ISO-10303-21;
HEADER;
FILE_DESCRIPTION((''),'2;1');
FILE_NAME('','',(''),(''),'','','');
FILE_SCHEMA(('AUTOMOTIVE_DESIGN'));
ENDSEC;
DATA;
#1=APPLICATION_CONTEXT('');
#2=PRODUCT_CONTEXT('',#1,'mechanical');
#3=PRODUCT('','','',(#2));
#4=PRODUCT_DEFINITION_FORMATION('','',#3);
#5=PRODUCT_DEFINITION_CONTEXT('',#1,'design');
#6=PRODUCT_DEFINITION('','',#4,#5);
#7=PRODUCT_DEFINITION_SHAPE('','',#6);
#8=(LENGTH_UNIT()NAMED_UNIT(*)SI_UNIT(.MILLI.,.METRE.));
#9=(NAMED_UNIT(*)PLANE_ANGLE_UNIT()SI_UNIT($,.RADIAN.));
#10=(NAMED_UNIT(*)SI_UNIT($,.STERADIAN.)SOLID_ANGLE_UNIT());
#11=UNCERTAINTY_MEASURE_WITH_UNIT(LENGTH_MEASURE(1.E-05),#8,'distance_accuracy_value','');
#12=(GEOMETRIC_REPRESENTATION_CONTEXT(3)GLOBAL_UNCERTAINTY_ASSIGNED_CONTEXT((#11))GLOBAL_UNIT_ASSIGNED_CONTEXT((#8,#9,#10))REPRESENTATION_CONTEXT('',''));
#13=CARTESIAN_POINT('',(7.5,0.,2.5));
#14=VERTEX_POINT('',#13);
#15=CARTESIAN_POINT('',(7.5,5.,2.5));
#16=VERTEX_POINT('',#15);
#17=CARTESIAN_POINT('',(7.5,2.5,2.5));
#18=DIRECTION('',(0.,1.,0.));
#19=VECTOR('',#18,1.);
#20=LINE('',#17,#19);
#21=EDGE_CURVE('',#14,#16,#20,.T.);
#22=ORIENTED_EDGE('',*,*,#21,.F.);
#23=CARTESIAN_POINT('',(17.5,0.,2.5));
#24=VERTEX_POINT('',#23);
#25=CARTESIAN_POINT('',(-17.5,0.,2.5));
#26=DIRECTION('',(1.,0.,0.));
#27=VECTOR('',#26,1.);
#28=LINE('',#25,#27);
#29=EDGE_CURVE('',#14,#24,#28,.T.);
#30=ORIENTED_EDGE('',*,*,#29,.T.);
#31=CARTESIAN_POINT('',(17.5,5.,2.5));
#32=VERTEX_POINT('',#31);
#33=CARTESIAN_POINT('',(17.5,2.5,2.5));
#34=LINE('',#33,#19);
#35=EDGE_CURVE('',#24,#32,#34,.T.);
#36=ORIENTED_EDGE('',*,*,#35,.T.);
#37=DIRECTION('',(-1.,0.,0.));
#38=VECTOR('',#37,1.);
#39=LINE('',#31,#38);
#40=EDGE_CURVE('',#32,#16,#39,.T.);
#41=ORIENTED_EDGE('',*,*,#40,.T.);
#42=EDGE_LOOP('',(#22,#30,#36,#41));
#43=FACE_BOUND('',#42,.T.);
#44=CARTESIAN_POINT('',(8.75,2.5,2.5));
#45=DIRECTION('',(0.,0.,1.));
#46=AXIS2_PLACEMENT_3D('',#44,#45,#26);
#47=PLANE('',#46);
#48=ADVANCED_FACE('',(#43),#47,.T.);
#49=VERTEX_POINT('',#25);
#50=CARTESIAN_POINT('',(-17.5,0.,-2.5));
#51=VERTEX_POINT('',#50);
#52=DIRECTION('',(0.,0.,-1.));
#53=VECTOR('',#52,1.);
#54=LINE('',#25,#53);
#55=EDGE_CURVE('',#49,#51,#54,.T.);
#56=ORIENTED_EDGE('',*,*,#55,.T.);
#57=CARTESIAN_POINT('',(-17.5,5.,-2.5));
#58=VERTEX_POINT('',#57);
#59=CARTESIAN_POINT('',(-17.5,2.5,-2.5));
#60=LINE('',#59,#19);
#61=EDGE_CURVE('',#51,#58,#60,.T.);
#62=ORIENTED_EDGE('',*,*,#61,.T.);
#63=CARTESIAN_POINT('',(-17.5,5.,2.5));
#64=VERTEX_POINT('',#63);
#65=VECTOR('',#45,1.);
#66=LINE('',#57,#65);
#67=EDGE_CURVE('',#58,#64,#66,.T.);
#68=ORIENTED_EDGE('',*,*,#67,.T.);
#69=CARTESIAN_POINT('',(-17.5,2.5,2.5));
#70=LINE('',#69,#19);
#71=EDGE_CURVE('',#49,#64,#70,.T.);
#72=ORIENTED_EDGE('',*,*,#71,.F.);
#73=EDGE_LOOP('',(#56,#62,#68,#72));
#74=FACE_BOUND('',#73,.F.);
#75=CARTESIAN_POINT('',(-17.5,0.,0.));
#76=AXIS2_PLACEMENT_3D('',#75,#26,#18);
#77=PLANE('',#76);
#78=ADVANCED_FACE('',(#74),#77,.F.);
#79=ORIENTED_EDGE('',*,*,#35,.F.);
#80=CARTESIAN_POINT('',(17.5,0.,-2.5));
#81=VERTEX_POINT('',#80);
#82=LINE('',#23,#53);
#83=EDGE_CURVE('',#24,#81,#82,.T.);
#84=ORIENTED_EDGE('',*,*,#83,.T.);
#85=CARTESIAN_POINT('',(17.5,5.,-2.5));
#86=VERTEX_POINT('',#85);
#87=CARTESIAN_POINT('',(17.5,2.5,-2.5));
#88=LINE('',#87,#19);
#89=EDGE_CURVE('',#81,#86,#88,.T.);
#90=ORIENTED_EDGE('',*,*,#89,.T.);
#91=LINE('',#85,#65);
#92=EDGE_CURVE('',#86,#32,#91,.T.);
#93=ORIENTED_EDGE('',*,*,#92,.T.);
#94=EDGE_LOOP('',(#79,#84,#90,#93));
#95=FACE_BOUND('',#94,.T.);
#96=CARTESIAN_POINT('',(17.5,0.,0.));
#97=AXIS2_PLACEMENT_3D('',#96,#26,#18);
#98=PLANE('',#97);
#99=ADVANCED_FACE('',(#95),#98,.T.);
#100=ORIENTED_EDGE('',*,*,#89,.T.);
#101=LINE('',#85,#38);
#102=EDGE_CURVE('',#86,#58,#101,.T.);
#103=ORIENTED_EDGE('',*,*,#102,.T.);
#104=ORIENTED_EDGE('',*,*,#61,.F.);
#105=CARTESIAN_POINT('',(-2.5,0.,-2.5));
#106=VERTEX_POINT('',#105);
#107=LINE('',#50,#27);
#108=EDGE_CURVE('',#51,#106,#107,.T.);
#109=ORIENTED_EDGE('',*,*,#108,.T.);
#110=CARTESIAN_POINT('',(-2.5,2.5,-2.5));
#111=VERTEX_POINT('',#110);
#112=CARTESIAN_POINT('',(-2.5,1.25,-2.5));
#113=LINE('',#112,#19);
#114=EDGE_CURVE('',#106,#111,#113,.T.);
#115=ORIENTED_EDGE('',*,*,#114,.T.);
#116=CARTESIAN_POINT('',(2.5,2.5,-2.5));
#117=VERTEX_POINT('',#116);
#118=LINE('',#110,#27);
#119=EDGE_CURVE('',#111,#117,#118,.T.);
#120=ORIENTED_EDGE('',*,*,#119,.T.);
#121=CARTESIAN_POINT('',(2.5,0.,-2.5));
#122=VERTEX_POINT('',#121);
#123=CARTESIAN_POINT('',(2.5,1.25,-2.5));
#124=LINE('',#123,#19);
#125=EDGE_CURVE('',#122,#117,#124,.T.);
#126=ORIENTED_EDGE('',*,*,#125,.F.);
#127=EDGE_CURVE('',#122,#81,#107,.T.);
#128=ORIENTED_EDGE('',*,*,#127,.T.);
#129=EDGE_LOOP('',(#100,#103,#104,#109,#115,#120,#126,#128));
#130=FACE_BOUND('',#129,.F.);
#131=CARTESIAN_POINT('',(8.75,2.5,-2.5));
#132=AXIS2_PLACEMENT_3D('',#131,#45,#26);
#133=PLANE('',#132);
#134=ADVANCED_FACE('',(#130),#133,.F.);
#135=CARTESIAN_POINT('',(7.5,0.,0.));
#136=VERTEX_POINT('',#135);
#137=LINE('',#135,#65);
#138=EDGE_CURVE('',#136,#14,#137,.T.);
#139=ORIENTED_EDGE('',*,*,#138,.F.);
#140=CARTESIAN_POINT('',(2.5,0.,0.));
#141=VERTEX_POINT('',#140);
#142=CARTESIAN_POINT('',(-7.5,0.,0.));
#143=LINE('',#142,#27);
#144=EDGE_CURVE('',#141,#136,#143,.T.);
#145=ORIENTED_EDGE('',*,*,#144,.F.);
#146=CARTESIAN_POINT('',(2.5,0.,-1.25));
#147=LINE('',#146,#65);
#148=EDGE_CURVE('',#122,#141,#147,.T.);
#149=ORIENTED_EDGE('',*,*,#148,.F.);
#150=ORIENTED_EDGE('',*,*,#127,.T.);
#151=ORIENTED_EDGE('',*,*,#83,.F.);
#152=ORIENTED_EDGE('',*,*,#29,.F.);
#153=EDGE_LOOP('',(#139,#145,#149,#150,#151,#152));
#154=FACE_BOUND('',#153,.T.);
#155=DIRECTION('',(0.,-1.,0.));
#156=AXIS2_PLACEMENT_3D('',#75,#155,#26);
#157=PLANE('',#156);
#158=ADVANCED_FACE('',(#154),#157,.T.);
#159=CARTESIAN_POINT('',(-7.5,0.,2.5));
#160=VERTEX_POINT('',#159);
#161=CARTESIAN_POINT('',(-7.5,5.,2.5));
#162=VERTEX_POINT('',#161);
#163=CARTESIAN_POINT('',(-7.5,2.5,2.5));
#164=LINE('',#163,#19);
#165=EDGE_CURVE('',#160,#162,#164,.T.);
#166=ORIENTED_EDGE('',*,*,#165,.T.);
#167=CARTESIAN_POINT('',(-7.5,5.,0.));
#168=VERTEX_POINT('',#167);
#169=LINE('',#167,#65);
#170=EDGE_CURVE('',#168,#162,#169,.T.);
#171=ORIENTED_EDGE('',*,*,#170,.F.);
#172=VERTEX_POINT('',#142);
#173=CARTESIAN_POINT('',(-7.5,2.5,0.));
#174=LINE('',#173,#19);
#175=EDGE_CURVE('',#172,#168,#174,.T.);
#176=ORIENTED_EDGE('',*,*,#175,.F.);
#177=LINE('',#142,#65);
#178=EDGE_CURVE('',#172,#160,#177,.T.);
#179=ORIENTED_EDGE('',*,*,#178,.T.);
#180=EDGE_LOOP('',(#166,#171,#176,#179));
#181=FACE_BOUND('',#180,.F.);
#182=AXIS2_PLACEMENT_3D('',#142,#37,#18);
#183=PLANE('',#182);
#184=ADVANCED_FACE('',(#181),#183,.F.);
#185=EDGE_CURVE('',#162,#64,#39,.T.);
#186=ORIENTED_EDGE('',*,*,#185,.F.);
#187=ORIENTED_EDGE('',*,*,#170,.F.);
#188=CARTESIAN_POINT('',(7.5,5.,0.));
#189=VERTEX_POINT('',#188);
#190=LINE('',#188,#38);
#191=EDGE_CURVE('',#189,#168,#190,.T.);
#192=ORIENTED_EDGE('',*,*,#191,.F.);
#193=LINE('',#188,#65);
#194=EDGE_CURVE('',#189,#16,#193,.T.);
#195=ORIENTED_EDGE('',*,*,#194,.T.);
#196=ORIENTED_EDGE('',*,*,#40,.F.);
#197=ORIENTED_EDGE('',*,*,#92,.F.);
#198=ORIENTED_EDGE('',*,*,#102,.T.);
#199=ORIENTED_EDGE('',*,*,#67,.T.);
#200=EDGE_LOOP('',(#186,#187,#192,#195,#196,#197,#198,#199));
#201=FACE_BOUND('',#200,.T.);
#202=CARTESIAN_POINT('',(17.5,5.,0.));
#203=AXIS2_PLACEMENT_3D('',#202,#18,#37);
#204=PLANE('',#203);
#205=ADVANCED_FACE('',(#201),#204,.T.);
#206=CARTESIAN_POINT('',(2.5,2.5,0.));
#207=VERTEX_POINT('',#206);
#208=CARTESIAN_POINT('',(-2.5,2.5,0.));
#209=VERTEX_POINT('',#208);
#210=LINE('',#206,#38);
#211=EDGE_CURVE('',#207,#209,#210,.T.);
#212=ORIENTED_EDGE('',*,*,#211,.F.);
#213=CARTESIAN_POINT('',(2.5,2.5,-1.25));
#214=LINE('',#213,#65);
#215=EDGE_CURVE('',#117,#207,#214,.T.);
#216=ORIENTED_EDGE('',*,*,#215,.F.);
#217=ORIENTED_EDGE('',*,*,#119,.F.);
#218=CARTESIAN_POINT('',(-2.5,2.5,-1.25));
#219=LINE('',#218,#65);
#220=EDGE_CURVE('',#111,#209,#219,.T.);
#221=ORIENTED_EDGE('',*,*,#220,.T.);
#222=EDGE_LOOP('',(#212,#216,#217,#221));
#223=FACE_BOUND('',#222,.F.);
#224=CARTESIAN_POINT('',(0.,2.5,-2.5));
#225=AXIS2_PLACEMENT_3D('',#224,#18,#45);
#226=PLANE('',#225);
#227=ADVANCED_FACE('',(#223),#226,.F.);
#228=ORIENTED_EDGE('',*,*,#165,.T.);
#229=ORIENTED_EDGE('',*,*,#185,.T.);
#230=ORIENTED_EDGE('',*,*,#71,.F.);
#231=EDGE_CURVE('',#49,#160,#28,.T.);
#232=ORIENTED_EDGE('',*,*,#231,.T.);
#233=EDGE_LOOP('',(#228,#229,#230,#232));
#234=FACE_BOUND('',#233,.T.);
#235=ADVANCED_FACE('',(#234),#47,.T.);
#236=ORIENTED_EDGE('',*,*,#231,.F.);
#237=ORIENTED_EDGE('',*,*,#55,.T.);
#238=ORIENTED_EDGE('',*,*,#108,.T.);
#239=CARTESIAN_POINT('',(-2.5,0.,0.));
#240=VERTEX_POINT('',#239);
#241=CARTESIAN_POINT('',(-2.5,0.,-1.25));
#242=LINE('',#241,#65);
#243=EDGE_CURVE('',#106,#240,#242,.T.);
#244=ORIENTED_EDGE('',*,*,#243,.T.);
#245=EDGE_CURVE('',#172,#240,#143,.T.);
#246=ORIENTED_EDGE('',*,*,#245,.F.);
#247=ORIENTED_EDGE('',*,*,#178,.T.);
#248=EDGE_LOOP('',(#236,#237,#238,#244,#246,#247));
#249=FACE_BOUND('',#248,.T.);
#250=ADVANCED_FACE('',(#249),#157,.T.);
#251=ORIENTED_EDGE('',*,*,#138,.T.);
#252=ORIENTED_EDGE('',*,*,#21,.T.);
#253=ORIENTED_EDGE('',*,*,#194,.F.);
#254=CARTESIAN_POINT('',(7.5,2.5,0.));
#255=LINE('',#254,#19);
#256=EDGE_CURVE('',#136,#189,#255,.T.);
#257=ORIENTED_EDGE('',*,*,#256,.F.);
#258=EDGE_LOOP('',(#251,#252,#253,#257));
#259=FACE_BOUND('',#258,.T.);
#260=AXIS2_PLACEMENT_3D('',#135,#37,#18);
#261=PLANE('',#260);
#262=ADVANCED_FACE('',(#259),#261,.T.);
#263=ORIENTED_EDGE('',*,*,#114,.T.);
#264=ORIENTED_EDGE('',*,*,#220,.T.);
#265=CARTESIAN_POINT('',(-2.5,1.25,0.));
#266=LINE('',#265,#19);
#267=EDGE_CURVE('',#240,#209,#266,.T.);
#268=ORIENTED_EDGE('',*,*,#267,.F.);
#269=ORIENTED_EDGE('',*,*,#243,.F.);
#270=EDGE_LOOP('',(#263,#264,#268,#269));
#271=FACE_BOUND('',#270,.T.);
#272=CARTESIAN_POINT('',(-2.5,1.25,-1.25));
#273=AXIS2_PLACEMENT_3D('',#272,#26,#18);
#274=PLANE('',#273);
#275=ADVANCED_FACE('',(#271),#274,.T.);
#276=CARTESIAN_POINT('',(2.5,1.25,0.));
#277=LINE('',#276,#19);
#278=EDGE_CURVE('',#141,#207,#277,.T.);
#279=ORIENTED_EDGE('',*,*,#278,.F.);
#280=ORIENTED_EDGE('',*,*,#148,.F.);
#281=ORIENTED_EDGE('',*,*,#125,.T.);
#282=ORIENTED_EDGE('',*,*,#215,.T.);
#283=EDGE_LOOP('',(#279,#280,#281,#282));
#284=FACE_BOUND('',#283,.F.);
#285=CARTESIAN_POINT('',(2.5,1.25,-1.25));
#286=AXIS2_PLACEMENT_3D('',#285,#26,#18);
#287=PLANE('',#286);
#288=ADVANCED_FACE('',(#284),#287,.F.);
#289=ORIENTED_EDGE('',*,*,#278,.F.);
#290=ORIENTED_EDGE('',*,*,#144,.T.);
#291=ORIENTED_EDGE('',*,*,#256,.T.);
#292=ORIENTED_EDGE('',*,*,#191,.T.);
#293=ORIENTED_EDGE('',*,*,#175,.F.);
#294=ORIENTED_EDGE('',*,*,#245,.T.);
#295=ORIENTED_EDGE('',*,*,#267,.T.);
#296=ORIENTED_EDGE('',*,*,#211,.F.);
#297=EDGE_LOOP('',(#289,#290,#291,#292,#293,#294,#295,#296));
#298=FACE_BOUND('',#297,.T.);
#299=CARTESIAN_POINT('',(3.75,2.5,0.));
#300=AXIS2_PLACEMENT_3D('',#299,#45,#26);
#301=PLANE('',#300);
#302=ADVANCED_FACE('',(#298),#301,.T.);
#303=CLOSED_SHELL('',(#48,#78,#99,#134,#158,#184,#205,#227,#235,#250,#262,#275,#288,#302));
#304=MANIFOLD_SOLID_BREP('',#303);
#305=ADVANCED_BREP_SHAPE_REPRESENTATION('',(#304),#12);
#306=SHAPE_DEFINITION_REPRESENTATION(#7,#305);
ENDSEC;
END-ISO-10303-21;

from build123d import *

# Parameters (mm, degrees)
F0_W     = 17.5
F0_H     = 5
F1_DEPTH = 2.5
F2_W     = 7.5
F2_H     = 5
F3_DEPTH = 2.5
F4_W     = 2.5
F4_H     = 2.5
F5_DEPTH = 2.5


with BuildPart() as f1:
    # F0 (on Top) → F1 (new body, symmetric)
    with BuildSketch(Plane.XY):
        with Locations((8.75, 2.5)):
            Rectangle(F0_W, F0_H)
        with Locations((-8.75, 2.5)):
            Rectangle(F0_W, F0_H)
    extrude(amount=F1_DEPTH, both=True)

    # F2 (on Top) → F3 (cut)
    with BuildSketch(Plane.XY):
        with Locations((3.75, 2.5)):
            Rectangle(F2_W, F2_H)
        with Locations((-3.75, 2.5)):
            Rectangle(F2_W, F2_H)
    extrude(amount=F3_DEPTH, mode=Mode.SUBTRACT)

    # F4 (on Right) → F5 (cut, symmetric)
    with BuildSketch(Plane.YZ):
        with Locations((1.25, -1.25)):
            Rectangle(F4_W, F4_H)
    extrude(amount=F5_DEPTH, both=True, mode=Mode.SUBTRACT)


solid = f1.part
